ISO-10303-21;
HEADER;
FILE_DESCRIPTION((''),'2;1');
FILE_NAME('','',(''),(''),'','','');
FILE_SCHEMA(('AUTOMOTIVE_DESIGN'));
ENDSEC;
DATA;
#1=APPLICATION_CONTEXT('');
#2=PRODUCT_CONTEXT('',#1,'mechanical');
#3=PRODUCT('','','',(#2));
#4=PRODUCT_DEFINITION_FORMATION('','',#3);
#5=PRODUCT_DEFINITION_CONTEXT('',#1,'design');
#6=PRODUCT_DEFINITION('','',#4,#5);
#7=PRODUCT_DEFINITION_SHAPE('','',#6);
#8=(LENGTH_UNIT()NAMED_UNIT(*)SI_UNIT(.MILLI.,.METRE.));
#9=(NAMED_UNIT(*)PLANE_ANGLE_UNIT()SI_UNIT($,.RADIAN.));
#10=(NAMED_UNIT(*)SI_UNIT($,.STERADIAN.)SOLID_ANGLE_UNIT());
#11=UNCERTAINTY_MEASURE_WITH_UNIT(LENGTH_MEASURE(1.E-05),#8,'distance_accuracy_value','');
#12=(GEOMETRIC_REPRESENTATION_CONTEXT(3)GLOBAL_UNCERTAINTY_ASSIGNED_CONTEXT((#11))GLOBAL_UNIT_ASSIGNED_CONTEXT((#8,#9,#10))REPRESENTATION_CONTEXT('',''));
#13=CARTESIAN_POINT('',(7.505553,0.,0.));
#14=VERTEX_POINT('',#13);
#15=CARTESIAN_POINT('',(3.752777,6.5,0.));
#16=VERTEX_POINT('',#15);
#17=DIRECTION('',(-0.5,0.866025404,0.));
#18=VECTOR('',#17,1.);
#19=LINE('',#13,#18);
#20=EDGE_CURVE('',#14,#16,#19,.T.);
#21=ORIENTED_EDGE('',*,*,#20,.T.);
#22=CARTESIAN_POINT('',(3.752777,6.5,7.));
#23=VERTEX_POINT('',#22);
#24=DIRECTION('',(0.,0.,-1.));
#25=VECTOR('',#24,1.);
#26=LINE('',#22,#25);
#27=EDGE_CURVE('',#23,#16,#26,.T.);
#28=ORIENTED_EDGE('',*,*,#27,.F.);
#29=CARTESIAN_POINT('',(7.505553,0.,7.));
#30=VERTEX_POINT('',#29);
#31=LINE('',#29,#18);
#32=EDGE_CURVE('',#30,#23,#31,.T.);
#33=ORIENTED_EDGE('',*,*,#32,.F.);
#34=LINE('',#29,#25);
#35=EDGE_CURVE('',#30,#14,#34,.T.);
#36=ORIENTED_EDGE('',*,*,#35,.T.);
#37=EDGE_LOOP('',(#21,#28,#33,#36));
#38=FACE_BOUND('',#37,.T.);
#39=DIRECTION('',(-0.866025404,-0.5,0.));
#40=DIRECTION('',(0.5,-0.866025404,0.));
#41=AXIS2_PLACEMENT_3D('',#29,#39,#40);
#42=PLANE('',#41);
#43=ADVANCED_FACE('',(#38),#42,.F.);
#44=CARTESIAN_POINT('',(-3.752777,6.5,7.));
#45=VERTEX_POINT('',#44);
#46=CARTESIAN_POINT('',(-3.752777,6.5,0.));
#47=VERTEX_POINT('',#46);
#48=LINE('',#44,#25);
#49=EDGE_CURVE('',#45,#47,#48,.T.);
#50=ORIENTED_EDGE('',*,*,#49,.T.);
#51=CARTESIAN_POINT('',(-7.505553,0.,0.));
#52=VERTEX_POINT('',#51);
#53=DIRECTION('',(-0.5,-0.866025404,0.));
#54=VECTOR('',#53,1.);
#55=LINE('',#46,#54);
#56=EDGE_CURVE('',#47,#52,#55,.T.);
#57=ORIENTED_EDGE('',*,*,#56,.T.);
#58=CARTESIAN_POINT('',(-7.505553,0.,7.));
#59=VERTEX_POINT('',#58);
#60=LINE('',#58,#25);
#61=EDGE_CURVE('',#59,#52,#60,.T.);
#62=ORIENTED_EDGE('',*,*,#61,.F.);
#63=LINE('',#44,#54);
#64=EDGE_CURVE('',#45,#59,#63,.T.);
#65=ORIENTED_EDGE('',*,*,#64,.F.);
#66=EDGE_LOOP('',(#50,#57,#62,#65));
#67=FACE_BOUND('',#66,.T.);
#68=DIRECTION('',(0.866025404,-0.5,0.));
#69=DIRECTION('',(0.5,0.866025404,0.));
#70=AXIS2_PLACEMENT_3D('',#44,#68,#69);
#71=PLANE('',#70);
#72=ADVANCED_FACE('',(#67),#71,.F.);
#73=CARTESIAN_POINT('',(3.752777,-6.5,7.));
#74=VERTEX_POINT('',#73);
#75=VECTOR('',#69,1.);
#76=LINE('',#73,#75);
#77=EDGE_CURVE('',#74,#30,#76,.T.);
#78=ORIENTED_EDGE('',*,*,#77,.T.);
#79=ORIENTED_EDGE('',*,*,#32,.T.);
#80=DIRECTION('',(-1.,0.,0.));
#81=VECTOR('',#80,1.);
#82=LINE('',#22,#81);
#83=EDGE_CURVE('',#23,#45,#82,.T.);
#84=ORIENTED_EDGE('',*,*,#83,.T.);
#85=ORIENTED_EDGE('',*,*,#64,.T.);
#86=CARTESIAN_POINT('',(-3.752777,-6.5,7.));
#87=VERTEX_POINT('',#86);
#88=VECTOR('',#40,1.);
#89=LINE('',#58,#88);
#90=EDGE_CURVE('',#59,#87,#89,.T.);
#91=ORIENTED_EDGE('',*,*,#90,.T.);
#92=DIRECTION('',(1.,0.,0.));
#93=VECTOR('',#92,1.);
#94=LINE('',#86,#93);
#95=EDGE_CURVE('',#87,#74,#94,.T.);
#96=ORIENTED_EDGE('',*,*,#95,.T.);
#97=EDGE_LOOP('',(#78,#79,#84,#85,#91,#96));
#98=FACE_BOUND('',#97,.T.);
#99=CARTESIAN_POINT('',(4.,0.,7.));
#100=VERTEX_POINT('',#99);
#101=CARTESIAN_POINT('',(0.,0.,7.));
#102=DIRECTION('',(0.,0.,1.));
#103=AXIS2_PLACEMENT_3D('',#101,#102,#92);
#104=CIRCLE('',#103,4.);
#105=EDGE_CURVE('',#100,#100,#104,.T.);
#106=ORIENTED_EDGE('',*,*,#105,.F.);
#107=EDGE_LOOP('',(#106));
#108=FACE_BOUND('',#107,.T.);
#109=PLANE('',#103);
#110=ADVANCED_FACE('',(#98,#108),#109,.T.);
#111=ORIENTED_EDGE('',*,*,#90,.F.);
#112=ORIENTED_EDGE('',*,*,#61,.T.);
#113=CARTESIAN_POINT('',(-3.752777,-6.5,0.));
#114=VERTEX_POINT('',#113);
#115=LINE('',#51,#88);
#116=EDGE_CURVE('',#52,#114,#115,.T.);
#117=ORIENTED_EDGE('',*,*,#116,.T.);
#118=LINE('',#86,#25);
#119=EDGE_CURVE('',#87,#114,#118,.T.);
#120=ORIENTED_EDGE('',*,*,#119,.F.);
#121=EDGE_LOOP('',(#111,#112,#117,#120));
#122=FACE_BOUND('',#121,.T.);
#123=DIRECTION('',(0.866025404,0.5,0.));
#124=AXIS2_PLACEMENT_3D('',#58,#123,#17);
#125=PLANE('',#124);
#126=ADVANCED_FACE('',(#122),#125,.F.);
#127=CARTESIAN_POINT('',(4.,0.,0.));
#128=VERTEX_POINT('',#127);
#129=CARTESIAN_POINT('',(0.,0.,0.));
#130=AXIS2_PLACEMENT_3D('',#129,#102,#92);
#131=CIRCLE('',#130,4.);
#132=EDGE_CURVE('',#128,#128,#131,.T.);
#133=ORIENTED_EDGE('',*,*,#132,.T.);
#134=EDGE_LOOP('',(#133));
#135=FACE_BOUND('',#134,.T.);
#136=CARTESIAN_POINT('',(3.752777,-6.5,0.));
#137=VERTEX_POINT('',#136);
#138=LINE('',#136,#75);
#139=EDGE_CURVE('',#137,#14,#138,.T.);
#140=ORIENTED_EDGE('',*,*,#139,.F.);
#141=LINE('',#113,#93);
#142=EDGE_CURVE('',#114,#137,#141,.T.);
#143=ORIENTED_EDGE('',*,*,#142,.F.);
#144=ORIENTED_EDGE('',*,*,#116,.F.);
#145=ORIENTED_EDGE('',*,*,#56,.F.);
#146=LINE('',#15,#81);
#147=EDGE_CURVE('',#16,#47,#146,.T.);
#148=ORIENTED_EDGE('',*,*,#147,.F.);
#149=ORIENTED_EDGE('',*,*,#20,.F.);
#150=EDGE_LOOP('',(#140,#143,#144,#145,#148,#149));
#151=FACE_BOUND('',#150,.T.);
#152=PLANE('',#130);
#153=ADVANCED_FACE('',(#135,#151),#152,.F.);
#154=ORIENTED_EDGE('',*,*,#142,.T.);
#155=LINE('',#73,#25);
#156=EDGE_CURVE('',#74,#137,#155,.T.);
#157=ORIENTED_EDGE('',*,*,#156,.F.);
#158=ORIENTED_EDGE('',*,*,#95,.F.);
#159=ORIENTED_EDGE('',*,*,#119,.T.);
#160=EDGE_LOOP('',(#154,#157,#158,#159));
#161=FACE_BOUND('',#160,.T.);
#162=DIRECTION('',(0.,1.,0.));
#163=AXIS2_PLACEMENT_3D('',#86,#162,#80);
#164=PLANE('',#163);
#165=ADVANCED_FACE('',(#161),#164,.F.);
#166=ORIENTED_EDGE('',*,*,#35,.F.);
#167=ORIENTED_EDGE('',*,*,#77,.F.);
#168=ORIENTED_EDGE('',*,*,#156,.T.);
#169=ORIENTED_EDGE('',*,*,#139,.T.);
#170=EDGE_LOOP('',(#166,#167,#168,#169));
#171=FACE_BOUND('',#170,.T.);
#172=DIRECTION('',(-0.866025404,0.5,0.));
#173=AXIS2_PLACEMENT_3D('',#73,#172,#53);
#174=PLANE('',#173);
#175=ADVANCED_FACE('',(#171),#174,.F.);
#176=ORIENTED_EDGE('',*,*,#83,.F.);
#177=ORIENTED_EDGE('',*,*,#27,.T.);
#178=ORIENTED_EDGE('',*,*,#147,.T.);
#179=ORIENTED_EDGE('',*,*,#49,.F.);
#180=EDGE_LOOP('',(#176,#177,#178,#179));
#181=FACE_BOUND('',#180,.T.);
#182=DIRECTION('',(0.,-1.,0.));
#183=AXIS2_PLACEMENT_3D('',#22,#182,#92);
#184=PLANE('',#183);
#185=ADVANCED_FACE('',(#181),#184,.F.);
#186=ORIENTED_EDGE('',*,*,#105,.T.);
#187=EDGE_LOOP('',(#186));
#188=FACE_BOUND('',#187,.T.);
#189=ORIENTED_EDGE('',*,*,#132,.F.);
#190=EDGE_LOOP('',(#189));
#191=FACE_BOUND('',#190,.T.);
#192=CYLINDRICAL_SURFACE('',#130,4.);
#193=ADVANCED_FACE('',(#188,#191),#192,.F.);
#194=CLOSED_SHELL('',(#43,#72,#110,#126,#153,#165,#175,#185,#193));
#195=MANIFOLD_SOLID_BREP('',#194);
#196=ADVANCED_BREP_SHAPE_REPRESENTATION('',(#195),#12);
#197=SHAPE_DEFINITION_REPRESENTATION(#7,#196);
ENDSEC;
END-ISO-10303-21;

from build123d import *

# Parameters (mm, degrees)
SALIENTE_EXTRUIR1_DEPTH = 7
CROQUIS2_R              = 4
CORTAR_EXTRUIR1_DEPTH   = 8


with BuildPart() as part:
    # Croquis1 → Saliente-Extruir1 (new body)
    with BuildSketch(Plane.XY):
        Polygon((7.505553499, 0), (3.75277675, 6.5), (-3.75277675, 6.5), (-7.505553499, 0), (-3.75277675, -6.5), (3.75277675, -6.5), align=None)
    extrude(amount=SALIENTE_EXTRUIR1_DEPTH)

    # Croquis2 → Cortar-Extruir1 (cut, through all)
    with BuildSketch(Plane.XY.offset(7)):
        Circle(CROQUIS2_R)
    extrude(amount=-CORTAR_EXTRUIR1_DEPTH, mode=Mode.SUBTRACT)


solid = part.part
